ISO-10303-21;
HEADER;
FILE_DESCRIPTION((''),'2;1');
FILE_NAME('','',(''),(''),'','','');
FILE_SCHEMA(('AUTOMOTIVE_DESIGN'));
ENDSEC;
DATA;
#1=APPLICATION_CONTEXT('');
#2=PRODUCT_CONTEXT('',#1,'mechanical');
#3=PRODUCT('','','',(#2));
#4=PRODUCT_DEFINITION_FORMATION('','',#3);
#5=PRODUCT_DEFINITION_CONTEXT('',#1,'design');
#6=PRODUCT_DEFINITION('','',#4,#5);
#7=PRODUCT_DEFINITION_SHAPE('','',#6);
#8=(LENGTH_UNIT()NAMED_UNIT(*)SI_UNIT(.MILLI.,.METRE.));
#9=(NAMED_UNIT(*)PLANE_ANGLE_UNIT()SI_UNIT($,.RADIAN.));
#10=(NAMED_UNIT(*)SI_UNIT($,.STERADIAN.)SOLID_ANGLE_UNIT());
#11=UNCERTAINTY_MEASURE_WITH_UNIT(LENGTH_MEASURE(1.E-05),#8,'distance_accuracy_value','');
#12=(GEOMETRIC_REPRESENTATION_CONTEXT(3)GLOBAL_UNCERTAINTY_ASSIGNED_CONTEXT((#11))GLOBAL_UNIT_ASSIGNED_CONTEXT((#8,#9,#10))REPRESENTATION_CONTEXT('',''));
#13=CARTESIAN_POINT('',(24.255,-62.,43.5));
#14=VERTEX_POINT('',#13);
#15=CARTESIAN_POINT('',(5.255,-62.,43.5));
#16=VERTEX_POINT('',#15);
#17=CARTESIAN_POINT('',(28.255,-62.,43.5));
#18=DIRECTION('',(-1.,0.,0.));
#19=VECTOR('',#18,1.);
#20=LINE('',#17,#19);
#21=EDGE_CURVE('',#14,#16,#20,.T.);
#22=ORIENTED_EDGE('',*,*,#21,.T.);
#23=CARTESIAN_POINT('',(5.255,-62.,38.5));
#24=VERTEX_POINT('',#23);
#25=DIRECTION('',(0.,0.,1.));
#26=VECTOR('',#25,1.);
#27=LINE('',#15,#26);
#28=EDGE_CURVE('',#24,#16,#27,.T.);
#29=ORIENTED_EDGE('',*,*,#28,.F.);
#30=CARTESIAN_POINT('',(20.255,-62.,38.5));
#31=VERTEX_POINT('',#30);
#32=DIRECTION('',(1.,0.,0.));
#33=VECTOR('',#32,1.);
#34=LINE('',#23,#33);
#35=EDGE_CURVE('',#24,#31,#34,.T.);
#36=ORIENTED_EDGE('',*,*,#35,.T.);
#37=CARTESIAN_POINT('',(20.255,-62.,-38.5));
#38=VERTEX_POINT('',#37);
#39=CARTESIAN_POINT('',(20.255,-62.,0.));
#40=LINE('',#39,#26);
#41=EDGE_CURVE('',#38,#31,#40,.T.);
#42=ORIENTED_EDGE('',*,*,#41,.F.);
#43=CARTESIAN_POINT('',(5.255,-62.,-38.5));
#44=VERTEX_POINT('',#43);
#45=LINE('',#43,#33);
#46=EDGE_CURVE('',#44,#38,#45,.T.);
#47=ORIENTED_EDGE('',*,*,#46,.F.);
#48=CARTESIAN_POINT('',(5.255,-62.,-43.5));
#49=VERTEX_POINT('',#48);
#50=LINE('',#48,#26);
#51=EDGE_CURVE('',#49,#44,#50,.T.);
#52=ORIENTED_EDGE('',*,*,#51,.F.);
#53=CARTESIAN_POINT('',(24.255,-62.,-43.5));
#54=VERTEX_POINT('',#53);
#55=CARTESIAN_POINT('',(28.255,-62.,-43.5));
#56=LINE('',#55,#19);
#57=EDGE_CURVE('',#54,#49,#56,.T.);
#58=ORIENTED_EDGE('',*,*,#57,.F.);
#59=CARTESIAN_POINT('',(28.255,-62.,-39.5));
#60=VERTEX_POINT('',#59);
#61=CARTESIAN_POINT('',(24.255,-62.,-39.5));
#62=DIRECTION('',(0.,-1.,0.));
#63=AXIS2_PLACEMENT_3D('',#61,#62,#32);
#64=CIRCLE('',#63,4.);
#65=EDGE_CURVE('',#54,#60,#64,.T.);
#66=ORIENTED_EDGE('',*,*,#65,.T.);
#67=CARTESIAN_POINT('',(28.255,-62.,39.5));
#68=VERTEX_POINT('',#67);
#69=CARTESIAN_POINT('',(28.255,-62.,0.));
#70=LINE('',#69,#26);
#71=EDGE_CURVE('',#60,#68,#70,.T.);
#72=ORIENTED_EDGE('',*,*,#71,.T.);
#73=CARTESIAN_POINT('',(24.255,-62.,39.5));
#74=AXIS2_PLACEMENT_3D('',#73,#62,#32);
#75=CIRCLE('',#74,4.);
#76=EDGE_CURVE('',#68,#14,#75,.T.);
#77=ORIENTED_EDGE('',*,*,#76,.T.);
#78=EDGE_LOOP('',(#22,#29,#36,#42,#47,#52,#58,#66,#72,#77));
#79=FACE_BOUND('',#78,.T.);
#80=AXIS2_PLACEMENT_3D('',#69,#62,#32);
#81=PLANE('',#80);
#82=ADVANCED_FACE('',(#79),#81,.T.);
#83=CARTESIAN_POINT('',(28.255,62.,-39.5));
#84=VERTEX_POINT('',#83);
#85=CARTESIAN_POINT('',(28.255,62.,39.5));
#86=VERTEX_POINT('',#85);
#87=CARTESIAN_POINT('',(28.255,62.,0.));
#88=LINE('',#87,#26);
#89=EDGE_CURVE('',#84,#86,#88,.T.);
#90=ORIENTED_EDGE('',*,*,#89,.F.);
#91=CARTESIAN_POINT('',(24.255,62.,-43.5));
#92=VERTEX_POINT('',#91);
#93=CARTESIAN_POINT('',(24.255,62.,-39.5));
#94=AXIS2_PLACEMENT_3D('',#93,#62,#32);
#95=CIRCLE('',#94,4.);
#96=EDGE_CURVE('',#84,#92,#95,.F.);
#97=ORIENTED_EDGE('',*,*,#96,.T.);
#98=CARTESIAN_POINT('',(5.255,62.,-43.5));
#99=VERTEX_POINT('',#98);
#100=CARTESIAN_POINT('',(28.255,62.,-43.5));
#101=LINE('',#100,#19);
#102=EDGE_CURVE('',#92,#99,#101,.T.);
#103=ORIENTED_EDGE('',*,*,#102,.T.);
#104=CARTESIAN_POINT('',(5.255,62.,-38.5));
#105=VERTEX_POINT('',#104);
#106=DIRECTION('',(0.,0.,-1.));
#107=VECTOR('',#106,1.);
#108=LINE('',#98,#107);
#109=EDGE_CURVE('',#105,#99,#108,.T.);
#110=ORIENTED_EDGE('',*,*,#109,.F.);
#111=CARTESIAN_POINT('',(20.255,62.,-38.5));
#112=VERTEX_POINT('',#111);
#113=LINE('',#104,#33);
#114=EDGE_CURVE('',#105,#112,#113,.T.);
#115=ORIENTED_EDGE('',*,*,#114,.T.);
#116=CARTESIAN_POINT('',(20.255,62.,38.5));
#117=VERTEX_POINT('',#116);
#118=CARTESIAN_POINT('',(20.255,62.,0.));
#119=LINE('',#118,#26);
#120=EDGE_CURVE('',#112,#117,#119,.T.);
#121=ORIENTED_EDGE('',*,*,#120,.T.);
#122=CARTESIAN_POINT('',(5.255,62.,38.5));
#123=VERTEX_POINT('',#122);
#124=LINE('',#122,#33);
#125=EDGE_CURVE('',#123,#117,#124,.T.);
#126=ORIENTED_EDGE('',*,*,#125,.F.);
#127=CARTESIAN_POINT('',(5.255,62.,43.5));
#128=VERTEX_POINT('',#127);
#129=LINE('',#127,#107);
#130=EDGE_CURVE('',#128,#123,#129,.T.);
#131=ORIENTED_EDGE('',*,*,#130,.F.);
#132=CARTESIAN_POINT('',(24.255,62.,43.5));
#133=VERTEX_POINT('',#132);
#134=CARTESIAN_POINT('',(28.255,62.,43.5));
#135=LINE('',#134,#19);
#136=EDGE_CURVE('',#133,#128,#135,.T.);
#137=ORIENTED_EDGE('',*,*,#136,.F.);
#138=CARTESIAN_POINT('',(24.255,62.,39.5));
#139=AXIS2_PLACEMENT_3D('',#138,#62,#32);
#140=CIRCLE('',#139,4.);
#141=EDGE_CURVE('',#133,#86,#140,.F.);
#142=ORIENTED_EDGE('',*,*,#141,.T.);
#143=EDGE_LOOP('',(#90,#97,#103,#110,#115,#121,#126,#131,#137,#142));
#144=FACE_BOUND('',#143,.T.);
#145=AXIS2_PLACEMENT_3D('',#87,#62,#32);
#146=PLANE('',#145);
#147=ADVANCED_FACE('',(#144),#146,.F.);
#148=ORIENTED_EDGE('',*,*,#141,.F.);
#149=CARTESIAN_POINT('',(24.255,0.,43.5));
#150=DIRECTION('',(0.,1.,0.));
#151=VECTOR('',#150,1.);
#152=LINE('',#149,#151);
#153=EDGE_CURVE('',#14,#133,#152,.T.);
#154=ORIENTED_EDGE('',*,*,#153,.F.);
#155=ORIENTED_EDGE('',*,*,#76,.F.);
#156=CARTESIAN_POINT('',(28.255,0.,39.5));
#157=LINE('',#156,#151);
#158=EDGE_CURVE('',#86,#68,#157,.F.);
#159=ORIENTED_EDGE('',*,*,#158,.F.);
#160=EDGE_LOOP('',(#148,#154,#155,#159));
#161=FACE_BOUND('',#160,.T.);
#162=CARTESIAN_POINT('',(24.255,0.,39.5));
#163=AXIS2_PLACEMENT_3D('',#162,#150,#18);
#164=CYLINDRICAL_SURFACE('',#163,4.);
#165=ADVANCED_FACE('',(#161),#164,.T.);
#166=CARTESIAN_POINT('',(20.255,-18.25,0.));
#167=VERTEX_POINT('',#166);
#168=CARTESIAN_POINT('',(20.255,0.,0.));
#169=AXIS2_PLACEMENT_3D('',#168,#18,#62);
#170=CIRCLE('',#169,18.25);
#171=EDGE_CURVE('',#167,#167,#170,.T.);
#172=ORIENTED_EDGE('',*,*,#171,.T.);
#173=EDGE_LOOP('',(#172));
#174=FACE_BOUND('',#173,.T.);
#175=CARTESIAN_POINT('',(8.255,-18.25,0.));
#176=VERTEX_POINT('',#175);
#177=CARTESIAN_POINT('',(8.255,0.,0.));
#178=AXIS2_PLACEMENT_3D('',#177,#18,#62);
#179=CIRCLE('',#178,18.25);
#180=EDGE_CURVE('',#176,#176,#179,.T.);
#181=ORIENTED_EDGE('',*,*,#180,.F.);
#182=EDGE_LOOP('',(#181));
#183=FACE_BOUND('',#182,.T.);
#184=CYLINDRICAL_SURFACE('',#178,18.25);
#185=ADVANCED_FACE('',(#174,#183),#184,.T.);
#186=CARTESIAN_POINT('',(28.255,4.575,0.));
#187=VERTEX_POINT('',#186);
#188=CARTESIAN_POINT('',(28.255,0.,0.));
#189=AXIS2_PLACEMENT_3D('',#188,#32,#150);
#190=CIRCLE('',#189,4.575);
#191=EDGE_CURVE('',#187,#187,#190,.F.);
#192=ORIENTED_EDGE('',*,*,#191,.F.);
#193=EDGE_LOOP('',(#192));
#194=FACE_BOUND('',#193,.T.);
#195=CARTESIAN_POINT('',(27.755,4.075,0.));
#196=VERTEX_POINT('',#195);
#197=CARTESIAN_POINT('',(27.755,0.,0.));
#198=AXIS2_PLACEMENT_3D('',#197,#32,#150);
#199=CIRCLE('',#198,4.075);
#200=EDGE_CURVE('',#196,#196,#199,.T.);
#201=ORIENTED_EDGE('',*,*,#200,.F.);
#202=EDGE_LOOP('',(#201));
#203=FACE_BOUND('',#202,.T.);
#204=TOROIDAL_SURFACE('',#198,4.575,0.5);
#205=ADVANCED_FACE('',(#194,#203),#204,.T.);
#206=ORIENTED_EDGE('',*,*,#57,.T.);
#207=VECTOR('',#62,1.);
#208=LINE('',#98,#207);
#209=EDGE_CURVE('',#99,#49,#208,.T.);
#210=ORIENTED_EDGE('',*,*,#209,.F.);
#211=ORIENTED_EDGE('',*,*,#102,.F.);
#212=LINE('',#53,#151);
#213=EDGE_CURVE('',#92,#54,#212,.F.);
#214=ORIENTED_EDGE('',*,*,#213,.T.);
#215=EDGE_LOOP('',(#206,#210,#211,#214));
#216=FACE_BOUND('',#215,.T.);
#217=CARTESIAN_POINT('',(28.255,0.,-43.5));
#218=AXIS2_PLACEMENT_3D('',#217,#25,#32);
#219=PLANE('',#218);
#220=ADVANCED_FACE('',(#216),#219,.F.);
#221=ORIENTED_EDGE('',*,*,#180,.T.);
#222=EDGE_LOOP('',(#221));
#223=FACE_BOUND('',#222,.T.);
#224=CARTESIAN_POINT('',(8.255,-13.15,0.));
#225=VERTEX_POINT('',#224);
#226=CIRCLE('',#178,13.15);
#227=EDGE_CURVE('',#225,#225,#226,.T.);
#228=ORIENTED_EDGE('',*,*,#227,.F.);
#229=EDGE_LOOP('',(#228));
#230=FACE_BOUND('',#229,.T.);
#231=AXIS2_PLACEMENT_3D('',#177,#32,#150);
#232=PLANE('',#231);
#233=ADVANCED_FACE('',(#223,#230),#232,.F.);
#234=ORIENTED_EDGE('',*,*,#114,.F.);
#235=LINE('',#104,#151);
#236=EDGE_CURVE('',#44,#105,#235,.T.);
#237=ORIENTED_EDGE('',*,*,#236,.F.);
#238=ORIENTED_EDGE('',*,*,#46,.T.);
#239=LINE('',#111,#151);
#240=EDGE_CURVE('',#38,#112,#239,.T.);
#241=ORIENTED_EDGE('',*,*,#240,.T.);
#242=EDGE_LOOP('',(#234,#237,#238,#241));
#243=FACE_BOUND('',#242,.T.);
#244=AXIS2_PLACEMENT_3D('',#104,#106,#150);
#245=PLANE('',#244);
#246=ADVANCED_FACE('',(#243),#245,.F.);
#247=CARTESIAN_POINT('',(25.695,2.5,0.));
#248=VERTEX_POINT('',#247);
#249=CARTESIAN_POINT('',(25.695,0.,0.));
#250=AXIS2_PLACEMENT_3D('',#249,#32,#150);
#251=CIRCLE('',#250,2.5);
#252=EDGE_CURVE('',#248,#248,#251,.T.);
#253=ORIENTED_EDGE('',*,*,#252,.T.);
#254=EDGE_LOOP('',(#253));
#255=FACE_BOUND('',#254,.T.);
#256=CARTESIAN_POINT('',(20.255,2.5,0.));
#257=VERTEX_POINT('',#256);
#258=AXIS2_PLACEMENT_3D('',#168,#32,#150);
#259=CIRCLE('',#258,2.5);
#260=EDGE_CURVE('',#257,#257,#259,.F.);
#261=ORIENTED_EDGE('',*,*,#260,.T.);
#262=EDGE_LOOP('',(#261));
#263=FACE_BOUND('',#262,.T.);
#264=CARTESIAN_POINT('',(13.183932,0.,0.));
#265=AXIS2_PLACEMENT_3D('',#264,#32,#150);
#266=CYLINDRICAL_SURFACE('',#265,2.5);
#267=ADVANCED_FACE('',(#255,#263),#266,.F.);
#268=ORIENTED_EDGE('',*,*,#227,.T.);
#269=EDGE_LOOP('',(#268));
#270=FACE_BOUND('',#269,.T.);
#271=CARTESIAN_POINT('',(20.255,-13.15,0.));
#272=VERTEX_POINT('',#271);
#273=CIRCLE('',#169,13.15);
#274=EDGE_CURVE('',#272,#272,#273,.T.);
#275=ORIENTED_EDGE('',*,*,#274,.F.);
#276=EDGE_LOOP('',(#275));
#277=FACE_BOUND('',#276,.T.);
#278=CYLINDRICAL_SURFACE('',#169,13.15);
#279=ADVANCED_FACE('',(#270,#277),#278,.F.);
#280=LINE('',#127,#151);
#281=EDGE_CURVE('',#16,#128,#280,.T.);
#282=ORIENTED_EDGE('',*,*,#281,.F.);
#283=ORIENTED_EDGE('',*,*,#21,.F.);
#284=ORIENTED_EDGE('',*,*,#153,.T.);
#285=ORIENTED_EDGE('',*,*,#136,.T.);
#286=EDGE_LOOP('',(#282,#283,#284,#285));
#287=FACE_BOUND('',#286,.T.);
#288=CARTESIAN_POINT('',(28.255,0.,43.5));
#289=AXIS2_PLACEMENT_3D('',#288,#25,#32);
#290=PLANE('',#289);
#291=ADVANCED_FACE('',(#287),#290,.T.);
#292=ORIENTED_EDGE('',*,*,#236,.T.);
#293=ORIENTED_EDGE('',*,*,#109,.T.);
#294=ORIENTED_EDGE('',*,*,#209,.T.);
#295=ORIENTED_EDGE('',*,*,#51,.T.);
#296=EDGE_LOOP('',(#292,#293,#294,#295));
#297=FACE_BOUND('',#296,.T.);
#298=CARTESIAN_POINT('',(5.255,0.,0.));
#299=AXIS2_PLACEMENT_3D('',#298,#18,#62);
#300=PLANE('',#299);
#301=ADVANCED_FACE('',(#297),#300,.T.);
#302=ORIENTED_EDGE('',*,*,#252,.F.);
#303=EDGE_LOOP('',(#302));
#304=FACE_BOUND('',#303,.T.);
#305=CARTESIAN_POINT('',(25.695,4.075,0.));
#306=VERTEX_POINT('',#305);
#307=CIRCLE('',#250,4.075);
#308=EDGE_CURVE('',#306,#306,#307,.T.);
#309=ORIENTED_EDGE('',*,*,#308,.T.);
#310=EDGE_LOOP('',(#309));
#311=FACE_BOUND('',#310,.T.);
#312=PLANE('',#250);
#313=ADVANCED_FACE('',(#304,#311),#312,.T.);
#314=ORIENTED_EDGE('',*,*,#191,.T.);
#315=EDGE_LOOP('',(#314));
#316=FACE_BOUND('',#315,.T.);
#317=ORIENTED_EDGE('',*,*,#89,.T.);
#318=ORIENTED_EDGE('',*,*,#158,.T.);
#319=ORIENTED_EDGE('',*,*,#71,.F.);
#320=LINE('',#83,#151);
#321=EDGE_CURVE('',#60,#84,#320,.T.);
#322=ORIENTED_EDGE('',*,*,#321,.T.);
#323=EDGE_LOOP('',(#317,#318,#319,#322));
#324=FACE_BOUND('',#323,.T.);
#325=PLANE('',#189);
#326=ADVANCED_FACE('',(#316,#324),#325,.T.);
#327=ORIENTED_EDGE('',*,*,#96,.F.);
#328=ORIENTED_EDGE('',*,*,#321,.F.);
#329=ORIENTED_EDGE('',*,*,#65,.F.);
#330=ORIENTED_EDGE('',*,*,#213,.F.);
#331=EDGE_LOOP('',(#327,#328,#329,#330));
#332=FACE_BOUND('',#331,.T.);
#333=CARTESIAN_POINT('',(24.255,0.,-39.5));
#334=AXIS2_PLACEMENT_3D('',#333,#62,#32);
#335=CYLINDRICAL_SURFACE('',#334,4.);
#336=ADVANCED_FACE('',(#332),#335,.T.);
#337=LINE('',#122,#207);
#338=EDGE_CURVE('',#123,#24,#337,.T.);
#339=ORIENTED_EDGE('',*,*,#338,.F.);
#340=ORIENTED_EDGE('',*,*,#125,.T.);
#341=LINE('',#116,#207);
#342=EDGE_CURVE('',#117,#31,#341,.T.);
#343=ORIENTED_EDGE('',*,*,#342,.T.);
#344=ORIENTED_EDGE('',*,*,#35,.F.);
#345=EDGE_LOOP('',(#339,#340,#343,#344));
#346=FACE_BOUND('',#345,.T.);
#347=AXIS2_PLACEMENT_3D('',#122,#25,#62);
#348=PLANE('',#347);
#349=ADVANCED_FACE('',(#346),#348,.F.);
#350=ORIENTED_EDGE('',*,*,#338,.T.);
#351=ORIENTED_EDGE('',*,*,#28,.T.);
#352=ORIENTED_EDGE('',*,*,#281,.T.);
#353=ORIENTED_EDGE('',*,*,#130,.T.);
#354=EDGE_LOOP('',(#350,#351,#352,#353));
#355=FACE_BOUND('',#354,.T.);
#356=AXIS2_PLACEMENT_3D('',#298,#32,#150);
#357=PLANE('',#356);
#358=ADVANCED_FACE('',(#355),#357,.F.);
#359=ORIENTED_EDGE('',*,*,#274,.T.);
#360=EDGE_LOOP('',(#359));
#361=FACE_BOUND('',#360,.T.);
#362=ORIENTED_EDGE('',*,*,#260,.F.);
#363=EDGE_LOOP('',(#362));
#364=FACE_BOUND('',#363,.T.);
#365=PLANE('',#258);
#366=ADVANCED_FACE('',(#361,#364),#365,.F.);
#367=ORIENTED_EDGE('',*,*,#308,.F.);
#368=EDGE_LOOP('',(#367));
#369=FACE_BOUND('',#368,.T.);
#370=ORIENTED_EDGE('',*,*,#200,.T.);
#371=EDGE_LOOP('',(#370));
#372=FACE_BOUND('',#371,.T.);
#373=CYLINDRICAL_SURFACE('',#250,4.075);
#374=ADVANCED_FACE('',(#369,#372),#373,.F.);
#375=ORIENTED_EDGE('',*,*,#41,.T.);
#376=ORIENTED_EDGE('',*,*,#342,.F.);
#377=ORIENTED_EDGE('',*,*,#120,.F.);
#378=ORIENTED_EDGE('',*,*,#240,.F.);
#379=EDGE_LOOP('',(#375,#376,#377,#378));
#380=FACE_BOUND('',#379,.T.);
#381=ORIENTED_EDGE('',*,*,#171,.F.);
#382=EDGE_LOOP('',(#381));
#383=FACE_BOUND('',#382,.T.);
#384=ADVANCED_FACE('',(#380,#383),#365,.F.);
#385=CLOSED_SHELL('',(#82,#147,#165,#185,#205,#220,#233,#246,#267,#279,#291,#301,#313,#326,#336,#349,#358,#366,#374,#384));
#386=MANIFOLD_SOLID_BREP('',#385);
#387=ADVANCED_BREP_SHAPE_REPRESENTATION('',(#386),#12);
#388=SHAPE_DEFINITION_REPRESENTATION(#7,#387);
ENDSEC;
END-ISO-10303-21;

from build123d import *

# Parameters (mm, degrees)
SKETCH1_W           = 12
SKETCH1_H           = 18.25
SKETCH2_R           = 3.7145
CUT_EXTRUDE1_DEPTH  = 8.5725
SKETCH3_W           = 87
SKETCH3_H           = 124
BOSS_EXTRUDE1_DEPTH = 8
FILLET1_R           = 4
SKETCH6_R           = 13.15
CUT_EXTRUDE2_DEPTH  = 12
SKETCH12_R          = 4.075
CUT_EXTRUDE6_DEPTH  = 2.56
SKETCH12_6_R        = 2.5
CUT_EXTRUDE7_DEPTH  = 8
FILLET2_R           = 0.5
SKETCH15_W          = 5
SKETCH15_H          = 124
BOSS_EXTRUDE2_DEPTH = 15


with BuildPart() as part:
    # Sketch1 → Revolve1 (revolve)
    with BuildSketch(Plane.XY):
        with Locations((14.255, 9.125)):
            Rectangle(SKETCH1_W, SKETCH1_H)
    revolve(axis=Axis((8.255, 0, 0), (1, 0, 0)))

    # Sketch2 → Cut-Extrude1 (cut)
    with BuildSketch(Plane.ZY.offset(-8.255)):
        Circle(SKETCH2_R)
    extrude(amount=-CUT_EXTRUDE1_DEPTH, mode=Mode.SUBTRACT)

    # Sketch6 → Cut-Extrude2 (cut)
    with BuildSketch(Plane.ZY.offset(-8.255)):
        Circle(SKETCH6_R)
    extrude(amount=-CUT_EXTRUDE2_DEPTH, mode=Mode.SUBTRACT)


with BuildPart() as body_2:
    # Sketch3 → Boss-Extrude1 (new body)
    with BuildSketch(Plane(origin=(20.255, 0, 0), x_dir=(0, 0, -1), z_dir=(1, 0, 0))):
        Rectangle(SKETCH3_W, SKETCH3_H)
    extrude(amount=BOSS_EXTRUDE1_DEPTH)

    # Fillet1
    fillet1_edges = [body_2.edges().sort_by_distance(p)[0] for p in [
        (28.255, 0, -43.5),
        (28.255, 0, 43.5),
    ]]
    fillet(fillet1_edges, radius=FILLET1_R)

    # Sketch12 → Cut-Extrude6 (cut)
    with BuildSketch(Plane(origin=(28.255, 0, 0), x_dir=(0, 0, -1), z_dir=(1, 0, 0))):
        Circle(SKETCH12_R)
    extrude(amount=-CUT_EXTRUDE6_DEPTH, mode=Mode.SUBTRACT)

    # Sketch12<6> → Cut-Extrude7 (cut)
    with BuildSketch(Plane(origin=(28.255, 0, 0), x_dir=(0, 0, -1), z_dir=(1, 0, 0))):
        Circle(SKETCH12_6_R)
    extrude(amount=-CUT_EXTRUDE7_DEPTH, mode=Mode.SUBTRACT)

    # Fillet2
    fillet2_edges = [body_2.edges().sort_by_distance(p)[0] for p in [
        (28.255, 0, 4.075),
    ]]
    fillet(fillet2_edges, radius=FILLET2_R)


with BuildPart() as part_1:
    add(part.part)

    # Combine1: union body 2
    add(body_2.part)

    # Sketch15 → Boss-Extrude2 (add)
    with BuildSketch(Plane.ZY.offset(-20.255)):
        with Locations((-41, 0)):
            Rectangle(SKETCH15_W, SKETCH15_H)
        with Locations((41, 0)):
            Rectangle(SKETCH15_W, SKETCH15_H)
    extrude(amount=BOSS_EXTRUDE2_DEPTH)


solid = part_1.part
